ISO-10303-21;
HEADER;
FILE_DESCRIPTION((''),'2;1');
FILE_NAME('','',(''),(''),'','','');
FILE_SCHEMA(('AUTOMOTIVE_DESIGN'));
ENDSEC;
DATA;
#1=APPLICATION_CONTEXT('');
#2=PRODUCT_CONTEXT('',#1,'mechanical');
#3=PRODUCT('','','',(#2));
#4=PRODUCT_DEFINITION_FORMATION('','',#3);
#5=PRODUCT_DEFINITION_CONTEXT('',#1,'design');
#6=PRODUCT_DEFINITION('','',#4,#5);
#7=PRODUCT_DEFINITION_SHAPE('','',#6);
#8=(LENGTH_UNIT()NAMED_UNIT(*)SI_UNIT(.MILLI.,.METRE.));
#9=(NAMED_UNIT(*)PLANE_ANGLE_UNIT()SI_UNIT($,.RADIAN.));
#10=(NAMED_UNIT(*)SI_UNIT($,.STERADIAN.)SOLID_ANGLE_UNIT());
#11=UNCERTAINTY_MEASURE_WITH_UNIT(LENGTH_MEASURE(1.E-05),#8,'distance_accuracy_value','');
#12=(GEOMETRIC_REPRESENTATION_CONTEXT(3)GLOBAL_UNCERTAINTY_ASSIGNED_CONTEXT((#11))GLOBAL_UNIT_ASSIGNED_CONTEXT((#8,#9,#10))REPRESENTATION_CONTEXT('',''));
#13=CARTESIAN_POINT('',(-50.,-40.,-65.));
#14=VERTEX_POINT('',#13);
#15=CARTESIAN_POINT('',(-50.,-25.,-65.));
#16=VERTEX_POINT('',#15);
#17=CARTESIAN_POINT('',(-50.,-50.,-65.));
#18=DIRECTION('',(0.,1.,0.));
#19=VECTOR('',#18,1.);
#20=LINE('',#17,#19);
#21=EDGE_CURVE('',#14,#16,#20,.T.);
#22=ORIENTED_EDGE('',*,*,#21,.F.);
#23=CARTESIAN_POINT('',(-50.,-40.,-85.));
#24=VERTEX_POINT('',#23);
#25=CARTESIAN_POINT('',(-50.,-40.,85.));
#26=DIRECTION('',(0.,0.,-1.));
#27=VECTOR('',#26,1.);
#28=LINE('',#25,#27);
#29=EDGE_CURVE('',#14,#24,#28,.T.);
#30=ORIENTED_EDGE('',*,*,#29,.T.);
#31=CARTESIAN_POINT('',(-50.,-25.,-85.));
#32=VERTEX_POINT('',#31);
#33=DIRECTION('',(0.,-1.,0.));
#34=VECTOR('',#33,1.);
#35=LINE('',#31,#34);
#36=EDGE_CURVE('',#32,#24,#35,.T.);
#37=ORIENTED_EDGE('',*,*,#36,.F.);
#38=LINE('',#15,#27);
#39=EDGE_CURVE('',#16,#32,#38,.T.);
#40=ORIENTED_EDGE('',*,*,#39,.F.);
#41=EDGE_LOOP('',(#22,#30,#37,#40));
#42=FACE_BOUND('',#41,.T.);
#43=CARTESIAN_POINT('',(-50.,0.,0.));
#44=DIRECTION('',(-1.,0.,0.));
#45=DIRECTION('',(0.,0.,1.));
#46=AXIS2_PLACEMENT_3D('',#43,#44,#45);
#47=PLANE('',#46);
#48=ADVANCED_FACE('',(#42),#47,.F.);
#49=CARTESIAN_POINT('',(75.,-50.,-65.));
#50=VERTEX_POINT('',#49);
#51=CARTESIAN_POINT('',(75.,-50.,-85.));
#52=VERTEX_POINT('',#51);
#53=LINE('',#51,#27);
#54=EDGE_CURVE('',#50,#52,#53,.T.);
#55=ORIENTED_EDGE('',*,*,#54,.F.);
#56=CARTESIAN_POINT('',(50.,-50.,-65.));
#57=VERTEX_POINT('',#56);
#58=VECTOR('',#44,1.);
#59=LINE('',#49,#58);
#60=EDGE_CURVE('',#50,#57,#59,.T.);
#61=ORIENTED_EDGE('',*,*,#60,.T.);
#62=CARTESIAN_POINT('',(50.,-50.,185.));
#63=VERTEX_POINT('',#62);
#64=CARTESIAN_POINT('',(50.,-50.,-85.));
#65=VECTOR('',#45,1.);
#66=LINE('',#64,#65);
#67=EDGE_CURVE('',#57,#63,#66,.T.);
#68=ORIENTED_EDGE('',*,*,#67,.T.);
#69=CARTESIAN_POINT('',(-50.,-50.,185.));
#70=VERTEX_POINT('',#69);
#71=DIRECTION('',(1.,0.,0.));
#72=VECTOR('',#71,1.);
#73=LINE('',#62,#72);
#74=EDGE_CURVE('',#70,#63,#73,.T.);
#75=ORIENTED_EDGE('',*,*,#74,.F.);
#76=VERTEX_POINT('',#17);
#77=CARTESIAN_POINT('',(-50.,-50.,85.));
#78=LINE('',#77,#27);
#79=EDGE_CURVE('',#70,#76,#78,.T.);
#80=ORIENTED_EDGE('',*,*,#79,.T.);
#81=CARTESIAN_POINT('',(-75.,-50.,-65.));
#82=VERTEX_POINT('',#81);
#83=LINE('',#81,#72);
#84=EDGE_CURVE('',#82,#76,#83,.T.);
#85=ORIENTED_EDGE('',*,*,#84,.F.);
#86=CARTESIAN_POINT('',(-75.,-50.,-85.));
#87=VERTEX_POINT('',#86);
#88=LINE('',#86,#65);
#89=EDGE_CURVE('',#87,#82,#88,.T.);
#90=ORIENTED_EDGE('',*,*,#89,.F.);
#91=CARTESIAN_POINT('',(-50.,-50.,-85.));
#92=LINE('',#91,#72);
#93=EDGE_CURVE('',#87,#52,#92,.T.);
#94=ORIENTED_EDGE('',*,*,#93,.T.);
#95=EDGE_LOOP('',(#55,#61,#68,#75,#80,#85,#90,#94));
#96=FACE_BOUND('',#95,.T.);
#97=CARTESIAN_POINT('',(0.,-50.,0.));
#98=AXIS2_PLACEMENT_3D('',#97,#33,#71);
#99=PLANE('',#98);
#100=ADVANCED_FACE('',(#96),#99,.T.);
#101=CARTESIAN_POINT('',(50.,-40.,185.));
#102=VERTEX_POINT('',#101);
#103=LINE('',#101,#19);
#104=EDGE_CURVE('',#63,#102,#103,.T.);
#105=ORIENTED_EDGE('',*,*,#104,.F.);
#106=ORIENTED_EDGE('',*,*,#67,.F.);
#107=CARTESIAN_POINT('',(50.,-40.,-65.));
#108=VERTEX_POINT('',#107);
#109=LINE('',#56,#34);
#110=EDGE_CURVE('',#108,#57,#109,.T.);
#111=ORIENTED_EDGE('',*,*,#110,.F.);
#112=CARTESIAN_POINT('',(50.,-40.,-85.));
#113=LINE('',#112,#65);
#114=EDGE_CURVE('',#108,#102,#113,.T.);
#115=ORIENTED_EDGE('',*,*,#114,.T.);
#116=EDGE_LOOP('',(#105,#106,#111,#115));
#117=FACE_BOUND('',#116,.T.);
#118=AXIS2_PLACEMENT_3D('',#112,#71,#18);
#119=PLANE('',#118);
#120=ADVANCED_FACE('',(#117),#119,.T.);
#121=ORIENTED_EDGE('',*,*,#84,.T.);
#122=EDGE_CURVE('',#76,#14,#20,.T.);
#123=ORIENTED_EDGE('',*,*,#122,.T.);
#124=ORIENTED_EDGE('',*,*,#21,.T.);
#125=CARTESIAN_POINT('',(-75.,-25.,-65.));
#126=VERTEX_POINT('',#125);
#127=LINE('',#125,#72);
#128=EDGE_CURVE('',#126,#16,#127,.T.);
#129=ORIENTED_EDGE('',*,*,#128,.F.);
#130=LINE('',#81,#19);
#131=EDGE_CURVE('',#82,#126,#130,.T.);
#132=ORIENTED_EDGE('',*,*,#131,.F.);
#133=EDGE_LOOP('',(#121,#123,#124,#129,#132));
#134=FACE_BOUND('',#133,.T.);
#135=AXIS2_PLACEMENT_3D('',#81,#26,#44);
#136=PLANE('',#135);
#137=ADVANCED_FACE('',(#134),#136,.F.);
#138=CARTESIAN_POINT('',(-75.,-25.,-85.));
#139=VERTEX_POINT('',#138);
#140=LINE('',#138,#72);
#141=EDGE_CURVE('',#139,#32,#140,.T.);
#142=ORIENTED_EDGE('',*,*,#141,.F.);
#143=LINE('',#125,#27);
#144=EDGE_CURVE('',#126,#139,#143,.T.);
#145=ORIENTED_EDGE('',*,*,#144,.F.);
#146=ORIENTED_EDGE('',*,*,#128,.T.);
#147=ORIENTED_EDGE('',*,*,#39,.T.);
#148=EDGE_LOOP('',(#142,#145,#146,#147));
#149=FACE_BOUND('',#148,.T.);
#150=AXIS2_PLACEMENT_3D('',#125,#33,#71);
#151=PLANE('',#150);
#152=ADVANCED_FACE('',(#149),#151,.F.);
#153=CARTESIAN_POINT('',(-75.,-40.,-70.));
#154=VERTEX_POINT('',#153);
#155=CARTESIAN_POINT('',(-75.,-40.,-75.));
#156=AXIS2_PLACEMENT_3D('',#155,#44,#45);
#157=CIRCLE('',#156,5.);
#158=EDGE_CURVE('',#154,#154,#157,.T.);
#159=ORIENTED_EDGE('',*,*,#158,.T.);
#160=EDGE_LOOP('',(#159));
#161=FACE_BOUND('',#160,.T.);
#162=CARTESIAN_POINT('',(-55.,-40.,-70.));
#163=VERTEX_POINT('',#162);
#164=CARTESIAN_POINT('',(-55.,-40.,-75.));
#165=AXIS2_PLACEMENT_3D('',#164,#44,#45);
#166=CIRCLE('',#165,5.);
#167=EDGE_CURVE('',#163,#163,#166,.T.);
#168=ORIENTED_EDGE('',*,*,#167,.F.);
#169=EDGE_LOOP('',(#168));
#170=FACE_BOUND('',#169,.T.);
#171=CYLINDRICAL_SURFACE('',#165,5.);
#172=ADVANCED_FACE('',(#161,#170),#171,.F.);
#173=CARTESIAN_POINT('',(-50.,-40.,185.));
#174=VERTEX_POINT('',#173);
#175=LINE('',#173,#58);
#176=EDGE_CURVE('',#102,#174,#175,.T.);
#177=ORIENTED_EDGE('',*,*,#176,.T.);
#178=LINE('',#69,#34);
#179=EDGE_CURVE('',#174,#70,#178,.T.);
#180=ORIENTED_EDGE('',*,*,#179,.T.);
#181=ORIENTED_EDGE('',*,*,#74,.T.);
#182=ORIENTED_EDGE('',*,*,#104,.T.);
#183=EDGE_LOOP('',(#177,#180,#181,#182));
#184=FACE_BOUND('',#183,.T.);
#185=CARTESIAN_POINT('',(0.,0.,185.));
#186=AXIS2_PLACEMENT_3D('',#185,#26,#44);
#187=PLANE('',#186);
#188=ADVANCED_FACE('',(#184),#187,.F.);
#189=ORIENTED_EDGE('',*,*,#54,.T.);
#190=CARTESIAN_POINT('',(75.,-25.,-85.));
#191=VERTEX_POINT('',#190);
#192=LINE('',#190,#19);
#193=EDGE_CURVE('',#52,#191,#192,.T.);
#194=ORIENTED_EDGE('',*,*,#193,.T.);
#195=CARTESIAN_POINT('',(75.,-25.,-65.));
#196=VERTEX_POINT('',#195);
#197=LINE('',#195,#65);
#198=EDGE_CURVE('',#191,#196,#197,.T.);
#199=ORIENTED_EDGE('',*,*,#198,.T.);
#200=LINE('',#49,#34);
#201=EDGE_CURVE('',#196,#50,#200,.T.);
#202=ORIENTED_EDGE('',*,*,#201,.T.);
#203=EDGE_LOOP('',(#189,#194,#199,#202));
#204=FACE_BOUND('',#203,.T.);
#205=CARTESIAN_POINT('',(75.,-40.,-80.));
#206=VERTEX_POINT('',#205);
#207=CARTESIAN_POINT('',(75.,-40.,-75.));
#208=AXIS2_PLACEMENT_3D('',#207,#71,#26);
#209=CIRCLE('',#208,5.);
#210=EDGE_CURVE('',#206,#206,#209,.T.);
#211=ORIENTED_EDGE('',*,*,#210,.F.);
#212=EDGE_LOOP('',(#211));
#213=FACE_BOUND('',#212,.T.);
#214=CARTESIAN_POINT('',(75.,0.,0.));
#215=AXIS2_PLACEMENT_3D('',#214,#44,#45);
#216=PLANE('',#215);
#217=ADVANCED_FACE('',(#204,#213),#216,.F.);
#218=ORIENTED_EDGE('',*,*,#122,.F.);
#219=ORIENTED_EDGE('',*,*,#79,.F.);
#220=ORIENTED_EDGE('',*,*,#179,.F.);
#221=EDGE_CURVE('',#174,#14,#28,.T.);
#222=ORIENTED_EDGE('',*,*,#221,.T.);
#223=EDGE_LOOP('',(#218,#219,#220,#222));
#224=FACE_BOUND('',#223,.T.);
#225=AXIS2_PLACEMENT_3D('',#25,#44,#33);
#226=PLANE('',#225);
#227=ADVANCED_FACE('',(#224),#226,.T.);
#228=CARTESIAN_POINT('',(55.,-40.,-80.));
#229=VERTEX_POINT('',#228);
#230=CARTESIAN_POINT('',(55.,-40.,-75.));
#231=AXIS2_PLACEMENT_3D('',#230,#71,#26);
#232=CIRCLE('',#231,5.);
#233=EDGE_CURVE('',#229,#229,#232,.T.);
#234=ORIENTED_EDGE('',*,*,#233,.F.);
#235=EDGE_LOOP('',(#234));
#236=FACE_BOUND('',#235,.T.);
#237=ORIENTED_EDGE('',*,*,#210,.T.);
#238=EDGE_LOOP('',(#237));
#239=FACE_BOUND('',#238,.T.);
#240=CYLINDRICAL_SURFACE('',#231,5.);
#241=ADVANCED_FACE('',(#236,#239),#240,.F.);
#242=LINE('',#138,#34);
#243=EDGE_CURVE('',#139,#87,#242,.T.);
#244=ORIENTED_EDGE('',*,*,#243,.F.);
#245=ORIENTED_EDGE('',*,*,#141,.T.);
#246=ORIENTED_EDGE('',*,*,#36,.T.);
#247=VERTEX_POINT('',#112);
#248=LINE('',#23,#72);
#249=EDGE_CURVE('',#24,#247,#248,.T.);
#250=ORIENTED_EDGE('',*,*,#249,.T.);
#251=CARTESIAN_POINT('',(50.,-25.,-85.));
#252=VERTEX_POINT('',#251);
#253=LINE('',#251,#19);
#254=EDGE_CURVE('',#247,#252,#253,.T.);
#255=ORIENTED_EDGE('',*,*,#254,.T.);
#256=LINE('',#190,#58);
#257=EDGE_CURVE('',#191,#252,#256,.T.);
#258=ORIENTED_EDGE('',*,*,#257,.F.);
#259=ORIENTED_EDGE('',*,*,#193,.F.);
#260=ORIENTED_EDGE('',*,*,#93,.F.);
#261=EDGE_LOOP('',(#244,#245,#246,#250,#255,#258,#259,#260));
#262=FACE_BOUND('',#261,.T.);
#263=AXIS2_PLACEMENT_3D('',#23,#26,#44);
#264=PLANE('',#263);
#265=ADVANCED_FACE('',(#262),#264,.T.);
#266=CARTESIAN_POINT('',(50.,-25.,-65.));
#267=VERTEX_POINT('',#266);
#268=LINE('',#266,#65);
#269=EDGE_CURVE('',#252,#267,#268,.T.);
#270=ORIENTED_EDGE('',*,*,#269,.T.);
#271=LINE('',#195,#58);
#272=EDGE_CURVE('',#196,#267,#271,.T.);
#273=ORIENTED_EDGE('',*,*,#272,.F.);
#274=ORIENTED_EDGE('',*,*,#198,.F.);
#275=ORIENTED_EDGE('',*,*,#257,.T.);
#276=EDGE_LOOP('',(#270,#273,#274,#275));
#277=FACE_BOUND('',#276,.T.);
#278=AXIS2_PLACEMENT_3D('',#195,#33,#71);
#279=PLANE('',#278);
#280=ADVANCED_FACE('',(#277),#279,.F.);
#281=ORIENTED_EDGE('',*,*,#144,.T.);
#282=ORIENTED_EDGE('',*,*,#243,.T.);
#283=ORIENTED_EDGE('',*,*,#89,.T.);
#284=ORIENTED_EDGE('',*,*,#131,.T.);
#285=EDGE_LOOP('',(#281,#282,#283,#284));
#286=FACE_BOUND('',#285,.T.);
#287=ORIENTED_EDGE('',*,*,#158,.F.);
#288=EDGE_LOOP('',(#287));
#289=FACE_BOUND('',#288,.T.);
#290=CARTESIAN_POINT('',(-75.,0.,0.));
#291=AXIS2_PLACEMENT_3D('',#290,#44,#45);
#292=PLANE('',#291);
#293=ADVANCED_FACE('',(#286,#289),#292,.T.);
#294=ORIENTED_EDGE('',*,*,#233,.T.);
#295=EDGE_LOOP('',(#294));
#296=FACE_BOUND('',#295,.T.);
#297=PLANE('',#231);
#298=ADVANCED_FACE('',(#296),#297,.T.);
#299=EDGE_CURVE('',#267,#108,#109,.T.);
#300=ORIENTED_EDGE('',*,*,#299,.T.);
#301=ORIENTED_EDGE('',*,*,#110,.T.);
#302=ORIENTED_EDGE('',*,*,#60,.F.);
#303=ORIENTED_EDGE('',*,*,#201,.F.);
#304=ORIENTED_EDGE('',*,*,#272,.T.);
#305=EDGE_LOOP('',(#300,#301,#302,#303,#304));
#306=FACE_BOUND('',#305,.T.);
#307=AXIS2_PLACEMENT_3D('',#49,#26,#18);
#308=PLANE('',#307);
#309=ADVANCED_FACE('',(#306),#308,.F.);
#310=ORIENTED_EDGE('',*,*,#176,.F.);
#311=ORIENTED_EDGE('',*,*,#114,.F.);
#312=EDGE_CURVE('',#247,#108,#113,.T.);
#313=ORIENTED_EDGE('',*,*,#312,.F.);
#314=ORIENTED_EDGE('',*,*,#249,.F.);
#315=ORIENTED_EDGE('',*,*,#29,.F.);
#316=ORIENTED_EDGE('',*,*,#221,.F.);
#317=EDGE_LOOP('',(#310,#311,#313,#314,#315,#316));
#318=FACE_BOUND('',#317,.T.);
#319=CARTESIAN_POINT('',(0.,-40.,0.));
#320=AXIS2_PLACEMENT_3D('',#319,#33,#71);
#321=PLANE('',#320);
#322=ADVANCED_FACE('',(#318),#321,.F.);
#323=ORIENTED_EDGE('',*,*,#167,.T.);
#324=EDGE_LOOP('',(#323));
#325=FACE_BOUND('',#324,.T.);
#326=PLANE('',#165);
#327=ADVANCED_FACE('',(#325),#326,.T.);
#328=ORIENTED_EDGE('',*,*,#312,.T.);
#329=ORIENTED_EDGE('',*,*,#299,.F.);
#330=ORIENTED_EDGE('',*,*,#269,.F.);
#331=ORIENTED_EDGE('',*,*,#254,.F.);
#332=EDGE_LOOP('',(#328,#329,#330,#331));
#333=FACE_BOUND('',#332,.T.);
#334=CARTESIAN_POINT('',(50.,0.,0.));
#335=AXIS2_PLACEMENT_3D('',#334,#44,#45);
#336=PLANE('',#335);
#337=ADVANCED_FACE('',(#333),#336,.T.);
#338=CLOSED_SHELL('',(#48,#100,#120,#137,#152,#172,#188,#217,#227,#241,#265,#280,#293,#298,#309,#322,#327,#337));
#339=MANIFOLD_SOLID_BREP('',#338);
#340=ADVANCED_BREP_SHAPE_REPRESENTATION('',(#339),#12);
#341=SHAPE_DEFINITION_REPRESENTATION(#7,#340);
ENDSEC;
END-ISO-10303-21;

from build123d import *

# Parameters (mm, degrees)
SKETCH5_W           = 100
SKETCH5_H           = 170
BOSS_EXTRUDE2_DEPTH = 10
SKETCH7_W           = 20
SKETCH7_H           = 25
BOSS_EXTRUDE3_DEPTH = 25
SKETCH8_W           = 20
SKETCH8_H           = 25
BOSS_EXTRUDE4_DEPTH = 25
SKETCH11_R          = 5
CUT_EXTRUDE1_DEPTH  = 20
CUT_EXTRUDE2_START  = -20
SKETCH12_R          = 5
CUT_EXTRUDE2_DEPTH  = 20
SKETCH17_W          = 100
SKETCH17_H          = 10
BOSS_EXTRUDE6_DEPTH = 100


with BuildPart() as part:
    # Sketch5 → Boss-Extrude2 (new body)
    with BuildSketch(Plane(origin=(0, -50, 0), x_dir=(-1, 0, 0), z_dir=(0, -1, 0))):
        Rectangle(SKETCH5_W, SKETCH5_H)
    extrude(amount=-BOSS_EXTRUDE2_DEPTH)

    # Sketch7 → Boss-Extrude3 (add)
    with BuildSketch(Plane.ZY.offset(50)):
        with Locations((-75, -37.5)):
            Rectangle(SKETCH7_W, SKETCH7_H)
    extrude(amount=BOSS_EXTRUDE3_DEPTH)

    # Sketch8 → Boss-Extrude4 (add)
    with BuildSketch(Plane(origin=(50, 0, 0), x_dir=(0, 0, -1), z_dir=(1, 0, 0))):
        with Locations((75, -37.5)):
            Rectangle(SKETCH8_W, SKETCH8_H)
    extrude(amount=BOSS_EXTRUDE4_DEPTH)

    # Sketch11 → Cut-Extrude1 (cut)
    with BuildSketch(Plane.ZY.offset(75)):
        with Locations((-75, -40)):
            Circle(SKETCH11_R)
    extrude(amount=-CUT_EXTRUDE1_DEPTH, mode=Mode.SUBTRACT)

    # Sketch12 → Cut-Extrude2 (cut)
    with BuildSketch(Plane(origin=(75, 0, 0), x_dir=(0, 0, -1), z_dir=(1, 0, 0)).offset(CUT_EXTRUDE2_START)):
        with Locations(Location((75, -40, 0), (0, 0, 180))):
            Circle(SKETCH12_R)
    extrude(amount=CUT_EXTRUDE2_DEPTH, mode=Mode.SUBTRACT)

    # Sketch17 → Boss-Extrude6 (add)
    with BuildSketch(Plane.XY.offset(85)):
        with Locations((0, -45)):
            Rectangle(SKETCH17_W, SKETCH17_H)
    extrude(amount=BOSS_EXTRUDE6_DEPTH)


solid = part.part
